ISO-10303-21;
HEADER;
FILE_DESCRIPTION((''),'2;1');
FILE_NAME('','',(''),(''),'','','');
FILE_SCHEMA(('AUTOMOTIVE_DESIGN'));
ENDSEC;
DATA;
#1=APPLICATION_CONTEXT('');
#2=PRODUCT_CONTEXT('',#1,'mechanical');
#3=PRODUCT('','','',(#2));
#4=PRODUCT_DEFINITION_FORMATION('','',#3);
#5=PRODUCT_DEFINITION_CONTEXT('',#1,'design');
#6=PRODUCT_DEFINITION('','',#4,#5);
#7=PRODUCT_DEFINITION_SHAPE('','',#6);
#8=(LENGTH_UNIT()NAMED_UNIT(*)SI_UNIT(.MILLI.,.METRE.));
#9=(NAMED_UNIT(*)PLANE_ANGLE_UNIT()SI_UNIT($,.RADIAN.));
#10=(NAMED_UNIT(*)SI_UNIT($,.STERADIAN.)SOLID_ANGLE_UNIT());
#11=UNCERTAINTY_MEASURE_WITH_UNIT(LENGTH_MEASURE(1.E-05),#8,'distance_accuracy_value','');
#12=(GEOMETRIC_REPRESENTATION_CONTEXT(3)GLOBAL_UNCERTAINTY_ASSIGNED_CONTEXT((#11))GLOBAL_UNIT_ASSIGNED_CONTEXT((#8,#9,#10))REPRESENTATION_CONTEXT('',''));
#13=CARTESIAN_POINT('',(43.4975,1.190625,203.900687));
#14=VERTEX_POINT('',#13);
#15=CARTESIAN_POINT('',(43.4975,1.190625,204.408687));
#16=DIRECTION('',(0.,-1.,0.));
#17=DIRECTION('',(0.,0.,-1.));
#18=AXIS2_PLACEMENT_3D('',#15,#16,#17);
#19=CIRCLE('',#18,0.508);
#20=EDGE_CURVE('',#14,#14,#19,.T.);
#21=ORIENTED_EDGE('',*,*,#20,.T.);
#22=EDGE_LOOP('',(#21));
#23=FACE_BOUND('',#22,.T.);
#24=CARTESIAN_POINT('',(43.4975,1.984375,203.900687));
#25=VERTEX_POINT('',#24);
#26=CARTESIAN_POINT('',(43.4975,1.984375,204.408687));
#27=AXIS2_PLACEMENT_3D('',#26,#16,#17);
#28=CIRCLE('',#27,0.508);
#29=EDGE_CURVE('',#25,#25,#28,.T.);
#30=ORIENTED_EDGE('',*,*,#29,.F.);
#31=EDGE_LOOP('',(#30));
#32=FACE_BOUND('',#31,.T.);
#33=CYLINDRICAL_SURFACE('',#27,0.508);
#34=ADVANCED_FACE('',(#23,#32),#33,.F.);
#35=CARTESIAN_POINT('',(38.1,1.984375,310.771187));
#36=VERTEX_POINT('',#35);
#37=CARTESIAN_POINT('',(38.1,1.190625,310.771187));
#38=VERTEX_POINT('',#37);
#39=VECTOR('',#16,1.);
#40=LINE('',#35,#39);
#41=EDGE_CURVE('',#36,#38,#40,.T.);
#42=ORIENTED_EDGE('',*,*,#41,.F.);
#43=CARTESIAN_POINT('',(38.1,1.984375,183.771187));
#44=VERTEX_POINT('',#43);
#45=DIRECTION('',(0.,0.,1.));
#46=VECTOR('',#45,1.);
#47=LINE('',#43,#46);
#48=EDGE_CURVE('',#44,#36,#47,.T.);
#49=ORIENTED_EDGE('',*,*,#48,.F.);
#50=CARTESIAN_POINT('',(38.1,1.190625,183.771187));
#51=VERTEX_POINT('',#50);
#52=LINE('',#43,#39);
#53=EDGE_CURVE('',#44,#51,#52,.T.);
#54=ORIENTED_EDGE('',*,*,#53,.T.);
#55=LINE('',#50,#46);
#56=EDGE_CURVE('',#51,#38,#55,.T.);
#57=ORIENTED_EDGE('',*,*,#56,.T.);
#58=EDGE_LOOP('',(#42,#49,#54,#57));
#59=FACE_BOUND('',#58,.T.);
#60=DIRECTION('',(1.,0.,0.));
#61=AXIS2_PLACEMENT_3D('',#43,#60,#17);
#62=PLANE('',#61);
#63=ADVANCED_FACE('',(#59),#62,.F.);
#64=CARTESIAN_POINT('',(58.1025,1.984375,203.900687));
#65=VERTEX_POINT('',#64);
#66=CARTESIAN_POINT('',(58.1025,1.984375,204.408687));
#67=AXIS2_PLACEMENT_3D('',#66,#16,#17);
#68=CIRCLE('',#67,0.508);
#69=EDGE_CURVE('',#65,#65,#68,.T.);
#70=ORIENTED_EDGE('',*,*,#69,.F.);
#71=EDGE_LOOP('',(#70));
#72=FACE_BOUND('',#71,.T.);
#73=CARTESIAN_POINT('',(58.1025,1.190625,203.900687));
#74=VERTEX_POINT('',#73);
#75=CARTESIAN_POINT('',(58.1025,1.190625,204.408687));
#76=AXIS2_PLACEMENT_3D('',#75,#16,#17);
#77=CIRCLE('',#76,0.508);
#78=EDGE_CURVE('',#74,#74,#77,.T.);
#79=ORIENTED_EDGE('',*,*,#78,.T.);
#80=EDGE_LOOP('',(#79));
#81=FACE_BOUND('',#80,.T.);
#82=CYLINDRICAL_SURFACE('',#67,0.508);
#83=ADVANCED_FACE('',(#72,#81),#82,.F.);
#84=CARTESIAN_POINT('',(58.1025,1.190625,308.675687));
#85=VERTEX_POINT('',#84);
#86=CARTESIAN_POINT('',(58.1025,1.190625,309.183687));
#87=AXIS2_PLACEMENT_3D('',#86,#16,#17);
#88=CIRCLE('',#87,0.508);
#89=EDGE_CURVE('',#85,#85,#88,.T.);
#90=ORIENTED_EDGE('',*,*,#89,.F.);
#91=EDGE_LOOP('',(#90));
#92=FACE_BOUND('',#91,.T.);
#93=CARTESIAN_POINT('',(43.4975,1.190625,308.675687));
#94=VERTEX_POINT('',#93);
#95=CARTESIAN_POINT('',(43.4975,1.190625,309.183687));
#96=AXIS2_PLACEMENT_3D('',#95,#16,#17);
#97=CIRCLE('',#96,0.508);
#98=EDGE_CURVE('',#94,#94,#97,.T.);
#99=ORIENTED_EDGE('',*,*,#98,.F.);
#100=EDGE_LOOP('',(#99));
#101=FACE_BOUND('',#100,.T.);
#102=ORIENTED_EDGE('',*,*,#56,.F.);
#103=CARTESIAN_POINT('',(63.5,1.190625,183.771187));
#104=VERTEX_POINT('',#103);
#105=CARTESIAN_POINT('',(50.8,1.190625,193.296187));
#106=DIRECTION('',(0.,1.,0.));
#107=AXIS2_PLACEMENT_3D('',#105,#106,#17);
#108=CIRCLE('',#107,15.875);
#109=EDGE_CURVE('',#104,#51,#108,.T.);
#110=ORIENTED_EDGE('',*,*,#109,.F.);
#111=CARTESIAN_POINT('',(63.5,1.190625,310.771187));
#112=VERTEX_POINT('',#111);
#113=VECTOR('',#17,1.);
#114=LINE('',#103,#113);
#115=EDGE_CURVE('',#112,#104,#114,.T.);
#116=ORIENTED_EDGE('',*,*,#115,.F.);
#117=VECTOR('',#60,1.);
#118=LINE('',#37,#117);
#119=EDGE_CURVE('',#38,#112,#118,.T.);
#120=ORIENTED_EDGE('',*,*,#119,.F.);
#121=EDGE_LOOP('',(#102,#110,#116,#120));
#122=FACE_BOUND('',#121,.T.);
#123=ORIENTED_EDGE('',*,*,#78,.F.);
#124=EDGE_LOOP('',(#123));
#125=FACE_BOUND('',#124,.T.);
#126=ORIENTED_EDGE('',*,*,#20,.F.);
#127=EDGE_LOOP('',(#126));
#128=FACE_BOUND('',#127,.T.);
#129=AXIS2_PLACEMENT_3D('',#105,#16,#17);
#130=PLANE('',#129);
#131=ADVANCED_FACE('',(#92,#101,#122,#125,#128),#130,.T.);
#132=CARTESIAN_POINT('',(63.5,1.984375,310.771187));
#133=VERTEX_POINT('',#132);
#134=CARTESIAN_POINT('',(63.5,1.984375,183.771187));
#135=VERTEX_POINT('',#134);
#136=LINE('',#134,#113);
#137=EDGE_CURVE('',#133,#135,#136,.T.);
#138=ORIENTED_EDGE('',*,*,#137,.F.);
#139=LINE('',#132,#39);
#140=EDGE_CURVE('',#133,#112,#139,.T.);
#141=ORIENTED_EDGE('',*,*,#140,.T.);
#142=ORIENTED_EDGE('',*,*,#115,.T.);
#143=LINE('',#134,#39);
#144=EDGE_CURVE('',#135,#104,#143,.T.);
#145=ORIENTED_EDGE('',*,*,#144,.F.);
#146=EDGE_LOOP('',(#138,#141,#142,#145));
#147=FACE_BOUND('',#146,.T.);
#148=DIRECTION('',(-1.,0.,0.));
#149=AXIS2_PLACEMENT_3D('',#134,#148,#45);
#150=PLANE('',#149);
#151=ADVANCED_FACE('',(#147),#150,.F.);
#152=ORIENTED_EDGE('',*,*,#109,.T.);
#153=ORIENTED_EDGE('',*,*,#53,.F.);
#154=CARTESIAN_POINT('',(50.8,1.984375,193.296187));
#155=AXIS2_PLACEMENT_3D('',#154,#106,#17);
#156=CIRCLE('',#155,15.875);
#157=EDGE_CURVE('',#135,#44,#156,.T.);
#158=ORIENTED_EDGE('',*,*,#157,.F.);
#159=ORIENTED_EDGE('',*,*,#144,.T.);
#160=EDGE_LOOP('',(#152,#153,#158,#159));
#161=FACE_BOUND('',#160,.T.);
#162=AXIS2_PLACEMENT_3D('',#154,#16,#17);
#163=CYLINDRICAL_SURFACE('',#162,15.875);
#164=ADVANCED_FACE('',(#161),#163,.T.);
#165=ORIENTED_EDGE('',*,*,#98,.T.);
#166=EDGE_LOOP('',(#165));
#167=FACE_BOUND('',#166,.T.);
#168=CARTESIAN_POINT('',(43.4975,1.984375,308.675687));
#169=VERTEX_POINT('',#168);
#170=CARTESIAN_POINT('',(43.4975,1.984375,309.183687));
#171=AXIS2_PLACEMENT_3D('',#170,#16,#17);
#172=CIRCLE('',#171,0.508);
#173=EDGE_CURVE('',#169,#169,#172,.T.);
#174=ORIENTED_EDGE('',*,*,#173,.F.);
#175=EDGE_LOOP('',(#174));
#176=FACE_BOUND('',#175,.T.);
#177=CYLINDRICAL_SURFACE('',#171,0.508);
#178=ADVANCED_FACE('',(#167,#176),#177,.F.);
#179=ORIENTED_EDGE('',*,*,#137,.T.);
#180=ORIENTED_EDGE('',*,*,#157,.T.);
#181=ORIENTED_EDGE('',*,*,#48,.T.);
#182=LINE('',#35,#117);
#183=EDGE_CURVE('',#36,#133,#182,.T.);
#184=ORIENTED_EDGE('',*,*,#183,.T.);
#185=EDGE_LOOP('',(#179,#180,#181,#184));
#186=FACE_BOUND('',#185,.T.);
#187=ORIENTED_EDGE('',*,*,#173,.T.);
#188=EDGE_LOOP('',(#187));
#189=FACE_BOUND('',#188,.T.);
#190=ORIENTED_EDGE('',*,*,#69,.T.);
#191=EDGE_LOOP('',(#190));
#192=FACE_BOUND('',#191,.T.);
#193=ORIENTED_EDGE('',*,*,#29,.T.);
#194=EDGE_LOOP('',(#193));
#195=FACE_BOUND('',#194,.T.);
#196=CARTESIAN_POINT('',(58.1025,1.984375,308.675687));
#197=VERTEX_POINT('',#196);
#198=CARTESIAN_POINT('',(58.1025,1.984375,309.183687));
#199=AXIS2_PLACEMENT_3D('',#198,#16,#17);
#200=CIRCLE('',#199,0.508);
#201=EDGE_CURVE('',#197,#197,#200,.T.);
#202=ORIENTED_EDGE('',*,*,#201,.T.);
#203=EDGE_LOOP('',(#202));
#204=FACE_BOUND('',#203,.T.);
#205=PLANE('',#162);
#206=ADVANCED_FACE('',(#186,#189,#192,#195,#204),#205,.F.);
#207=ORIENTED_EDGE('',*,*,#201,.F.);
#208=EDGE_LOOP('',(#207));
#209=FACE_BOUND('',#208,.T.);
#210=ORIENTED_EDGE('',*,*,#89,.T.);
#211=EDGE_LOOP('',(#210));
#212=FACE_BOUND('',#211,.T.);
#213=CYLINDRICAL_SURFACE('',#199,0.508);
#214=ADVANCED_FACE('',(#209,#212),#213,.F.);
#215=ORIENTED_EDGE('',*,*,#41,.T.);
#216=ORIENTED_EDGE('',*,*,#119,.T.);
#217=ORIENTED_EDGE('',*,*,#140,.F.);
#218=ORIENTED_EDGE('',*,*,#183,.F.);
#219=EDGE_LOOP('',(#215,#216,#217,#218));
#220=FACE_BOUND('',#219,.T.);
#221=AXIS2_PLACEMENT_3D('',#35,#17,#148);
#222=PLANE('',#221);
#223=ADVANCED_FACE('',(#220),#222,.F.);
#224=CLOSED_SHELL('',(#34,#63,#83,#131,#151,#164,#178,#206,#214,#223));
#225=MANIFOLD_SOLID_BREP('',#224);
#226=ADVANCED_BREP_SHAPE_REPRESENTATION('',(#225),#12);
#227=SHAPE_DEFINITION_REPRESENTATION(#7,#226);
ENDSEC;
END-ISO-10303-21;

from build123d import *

# Parameters (mm, degrees)
BOSS_EXTRUDE1_DEPTH = 3.175
SKETCH2_R           = 2.032
CUT_EXTRUDE1_DEPTH  = 519.070111689
SCALE1_SCALE        = 0.25


with BuildPart() as part:
    # Sketch1 → Boss-Extrude1 (new body)
    with BuildSketch(Plane(origin=(0, 0, 0), x_dir=(1, 0, 0), z_dir=(0, 1, 0))):
        with BuildLine():
            Line((0, 0), (0, -508))
            Line((0, -508), (101.6, -508))
            Line((101.6, -508), (101.6, 0))
            ThreePointArc((101.6, 0), (50.8, 25.4), (0, 0))
        make_face()
    extrude(amount=BOSS_EXTRUDE1_DEPTH)

    # Sketch2 → Cut-Extrude1 (cut, through all)
    with BuildSketch(Plane.XZ):
        with Locations(Location((21.59, 501.65, 0), (0, 0, 270))):
            Circle(SKETCH2_R)
        with Locations(Location((80.01, 501.65, 0), (0, 0, 270))):
            Circle(SKETCH2_R)
        with Locations(Location((21.59, 82.55, 0), (0, 0, 270))):
            Circle(SKETCH2_R)
        with Locations(Location((80.01, 82.55, 0), (0, 0, 270))):
            Circle(SKETCH2_R)
    extrude(amount=-CUT_EXTRUDE1_DEPTH, mode=Mode.SUBTRACT)


with BuildPart() as part_1:
    # Scale1: scaled about (50.8, 1.5875, 245.02824993)
    add(part.part.scale(SCALE1_SCALE).moved(Location((38.1, 1.190625, 183.771187447))))


solid = part_1.part
